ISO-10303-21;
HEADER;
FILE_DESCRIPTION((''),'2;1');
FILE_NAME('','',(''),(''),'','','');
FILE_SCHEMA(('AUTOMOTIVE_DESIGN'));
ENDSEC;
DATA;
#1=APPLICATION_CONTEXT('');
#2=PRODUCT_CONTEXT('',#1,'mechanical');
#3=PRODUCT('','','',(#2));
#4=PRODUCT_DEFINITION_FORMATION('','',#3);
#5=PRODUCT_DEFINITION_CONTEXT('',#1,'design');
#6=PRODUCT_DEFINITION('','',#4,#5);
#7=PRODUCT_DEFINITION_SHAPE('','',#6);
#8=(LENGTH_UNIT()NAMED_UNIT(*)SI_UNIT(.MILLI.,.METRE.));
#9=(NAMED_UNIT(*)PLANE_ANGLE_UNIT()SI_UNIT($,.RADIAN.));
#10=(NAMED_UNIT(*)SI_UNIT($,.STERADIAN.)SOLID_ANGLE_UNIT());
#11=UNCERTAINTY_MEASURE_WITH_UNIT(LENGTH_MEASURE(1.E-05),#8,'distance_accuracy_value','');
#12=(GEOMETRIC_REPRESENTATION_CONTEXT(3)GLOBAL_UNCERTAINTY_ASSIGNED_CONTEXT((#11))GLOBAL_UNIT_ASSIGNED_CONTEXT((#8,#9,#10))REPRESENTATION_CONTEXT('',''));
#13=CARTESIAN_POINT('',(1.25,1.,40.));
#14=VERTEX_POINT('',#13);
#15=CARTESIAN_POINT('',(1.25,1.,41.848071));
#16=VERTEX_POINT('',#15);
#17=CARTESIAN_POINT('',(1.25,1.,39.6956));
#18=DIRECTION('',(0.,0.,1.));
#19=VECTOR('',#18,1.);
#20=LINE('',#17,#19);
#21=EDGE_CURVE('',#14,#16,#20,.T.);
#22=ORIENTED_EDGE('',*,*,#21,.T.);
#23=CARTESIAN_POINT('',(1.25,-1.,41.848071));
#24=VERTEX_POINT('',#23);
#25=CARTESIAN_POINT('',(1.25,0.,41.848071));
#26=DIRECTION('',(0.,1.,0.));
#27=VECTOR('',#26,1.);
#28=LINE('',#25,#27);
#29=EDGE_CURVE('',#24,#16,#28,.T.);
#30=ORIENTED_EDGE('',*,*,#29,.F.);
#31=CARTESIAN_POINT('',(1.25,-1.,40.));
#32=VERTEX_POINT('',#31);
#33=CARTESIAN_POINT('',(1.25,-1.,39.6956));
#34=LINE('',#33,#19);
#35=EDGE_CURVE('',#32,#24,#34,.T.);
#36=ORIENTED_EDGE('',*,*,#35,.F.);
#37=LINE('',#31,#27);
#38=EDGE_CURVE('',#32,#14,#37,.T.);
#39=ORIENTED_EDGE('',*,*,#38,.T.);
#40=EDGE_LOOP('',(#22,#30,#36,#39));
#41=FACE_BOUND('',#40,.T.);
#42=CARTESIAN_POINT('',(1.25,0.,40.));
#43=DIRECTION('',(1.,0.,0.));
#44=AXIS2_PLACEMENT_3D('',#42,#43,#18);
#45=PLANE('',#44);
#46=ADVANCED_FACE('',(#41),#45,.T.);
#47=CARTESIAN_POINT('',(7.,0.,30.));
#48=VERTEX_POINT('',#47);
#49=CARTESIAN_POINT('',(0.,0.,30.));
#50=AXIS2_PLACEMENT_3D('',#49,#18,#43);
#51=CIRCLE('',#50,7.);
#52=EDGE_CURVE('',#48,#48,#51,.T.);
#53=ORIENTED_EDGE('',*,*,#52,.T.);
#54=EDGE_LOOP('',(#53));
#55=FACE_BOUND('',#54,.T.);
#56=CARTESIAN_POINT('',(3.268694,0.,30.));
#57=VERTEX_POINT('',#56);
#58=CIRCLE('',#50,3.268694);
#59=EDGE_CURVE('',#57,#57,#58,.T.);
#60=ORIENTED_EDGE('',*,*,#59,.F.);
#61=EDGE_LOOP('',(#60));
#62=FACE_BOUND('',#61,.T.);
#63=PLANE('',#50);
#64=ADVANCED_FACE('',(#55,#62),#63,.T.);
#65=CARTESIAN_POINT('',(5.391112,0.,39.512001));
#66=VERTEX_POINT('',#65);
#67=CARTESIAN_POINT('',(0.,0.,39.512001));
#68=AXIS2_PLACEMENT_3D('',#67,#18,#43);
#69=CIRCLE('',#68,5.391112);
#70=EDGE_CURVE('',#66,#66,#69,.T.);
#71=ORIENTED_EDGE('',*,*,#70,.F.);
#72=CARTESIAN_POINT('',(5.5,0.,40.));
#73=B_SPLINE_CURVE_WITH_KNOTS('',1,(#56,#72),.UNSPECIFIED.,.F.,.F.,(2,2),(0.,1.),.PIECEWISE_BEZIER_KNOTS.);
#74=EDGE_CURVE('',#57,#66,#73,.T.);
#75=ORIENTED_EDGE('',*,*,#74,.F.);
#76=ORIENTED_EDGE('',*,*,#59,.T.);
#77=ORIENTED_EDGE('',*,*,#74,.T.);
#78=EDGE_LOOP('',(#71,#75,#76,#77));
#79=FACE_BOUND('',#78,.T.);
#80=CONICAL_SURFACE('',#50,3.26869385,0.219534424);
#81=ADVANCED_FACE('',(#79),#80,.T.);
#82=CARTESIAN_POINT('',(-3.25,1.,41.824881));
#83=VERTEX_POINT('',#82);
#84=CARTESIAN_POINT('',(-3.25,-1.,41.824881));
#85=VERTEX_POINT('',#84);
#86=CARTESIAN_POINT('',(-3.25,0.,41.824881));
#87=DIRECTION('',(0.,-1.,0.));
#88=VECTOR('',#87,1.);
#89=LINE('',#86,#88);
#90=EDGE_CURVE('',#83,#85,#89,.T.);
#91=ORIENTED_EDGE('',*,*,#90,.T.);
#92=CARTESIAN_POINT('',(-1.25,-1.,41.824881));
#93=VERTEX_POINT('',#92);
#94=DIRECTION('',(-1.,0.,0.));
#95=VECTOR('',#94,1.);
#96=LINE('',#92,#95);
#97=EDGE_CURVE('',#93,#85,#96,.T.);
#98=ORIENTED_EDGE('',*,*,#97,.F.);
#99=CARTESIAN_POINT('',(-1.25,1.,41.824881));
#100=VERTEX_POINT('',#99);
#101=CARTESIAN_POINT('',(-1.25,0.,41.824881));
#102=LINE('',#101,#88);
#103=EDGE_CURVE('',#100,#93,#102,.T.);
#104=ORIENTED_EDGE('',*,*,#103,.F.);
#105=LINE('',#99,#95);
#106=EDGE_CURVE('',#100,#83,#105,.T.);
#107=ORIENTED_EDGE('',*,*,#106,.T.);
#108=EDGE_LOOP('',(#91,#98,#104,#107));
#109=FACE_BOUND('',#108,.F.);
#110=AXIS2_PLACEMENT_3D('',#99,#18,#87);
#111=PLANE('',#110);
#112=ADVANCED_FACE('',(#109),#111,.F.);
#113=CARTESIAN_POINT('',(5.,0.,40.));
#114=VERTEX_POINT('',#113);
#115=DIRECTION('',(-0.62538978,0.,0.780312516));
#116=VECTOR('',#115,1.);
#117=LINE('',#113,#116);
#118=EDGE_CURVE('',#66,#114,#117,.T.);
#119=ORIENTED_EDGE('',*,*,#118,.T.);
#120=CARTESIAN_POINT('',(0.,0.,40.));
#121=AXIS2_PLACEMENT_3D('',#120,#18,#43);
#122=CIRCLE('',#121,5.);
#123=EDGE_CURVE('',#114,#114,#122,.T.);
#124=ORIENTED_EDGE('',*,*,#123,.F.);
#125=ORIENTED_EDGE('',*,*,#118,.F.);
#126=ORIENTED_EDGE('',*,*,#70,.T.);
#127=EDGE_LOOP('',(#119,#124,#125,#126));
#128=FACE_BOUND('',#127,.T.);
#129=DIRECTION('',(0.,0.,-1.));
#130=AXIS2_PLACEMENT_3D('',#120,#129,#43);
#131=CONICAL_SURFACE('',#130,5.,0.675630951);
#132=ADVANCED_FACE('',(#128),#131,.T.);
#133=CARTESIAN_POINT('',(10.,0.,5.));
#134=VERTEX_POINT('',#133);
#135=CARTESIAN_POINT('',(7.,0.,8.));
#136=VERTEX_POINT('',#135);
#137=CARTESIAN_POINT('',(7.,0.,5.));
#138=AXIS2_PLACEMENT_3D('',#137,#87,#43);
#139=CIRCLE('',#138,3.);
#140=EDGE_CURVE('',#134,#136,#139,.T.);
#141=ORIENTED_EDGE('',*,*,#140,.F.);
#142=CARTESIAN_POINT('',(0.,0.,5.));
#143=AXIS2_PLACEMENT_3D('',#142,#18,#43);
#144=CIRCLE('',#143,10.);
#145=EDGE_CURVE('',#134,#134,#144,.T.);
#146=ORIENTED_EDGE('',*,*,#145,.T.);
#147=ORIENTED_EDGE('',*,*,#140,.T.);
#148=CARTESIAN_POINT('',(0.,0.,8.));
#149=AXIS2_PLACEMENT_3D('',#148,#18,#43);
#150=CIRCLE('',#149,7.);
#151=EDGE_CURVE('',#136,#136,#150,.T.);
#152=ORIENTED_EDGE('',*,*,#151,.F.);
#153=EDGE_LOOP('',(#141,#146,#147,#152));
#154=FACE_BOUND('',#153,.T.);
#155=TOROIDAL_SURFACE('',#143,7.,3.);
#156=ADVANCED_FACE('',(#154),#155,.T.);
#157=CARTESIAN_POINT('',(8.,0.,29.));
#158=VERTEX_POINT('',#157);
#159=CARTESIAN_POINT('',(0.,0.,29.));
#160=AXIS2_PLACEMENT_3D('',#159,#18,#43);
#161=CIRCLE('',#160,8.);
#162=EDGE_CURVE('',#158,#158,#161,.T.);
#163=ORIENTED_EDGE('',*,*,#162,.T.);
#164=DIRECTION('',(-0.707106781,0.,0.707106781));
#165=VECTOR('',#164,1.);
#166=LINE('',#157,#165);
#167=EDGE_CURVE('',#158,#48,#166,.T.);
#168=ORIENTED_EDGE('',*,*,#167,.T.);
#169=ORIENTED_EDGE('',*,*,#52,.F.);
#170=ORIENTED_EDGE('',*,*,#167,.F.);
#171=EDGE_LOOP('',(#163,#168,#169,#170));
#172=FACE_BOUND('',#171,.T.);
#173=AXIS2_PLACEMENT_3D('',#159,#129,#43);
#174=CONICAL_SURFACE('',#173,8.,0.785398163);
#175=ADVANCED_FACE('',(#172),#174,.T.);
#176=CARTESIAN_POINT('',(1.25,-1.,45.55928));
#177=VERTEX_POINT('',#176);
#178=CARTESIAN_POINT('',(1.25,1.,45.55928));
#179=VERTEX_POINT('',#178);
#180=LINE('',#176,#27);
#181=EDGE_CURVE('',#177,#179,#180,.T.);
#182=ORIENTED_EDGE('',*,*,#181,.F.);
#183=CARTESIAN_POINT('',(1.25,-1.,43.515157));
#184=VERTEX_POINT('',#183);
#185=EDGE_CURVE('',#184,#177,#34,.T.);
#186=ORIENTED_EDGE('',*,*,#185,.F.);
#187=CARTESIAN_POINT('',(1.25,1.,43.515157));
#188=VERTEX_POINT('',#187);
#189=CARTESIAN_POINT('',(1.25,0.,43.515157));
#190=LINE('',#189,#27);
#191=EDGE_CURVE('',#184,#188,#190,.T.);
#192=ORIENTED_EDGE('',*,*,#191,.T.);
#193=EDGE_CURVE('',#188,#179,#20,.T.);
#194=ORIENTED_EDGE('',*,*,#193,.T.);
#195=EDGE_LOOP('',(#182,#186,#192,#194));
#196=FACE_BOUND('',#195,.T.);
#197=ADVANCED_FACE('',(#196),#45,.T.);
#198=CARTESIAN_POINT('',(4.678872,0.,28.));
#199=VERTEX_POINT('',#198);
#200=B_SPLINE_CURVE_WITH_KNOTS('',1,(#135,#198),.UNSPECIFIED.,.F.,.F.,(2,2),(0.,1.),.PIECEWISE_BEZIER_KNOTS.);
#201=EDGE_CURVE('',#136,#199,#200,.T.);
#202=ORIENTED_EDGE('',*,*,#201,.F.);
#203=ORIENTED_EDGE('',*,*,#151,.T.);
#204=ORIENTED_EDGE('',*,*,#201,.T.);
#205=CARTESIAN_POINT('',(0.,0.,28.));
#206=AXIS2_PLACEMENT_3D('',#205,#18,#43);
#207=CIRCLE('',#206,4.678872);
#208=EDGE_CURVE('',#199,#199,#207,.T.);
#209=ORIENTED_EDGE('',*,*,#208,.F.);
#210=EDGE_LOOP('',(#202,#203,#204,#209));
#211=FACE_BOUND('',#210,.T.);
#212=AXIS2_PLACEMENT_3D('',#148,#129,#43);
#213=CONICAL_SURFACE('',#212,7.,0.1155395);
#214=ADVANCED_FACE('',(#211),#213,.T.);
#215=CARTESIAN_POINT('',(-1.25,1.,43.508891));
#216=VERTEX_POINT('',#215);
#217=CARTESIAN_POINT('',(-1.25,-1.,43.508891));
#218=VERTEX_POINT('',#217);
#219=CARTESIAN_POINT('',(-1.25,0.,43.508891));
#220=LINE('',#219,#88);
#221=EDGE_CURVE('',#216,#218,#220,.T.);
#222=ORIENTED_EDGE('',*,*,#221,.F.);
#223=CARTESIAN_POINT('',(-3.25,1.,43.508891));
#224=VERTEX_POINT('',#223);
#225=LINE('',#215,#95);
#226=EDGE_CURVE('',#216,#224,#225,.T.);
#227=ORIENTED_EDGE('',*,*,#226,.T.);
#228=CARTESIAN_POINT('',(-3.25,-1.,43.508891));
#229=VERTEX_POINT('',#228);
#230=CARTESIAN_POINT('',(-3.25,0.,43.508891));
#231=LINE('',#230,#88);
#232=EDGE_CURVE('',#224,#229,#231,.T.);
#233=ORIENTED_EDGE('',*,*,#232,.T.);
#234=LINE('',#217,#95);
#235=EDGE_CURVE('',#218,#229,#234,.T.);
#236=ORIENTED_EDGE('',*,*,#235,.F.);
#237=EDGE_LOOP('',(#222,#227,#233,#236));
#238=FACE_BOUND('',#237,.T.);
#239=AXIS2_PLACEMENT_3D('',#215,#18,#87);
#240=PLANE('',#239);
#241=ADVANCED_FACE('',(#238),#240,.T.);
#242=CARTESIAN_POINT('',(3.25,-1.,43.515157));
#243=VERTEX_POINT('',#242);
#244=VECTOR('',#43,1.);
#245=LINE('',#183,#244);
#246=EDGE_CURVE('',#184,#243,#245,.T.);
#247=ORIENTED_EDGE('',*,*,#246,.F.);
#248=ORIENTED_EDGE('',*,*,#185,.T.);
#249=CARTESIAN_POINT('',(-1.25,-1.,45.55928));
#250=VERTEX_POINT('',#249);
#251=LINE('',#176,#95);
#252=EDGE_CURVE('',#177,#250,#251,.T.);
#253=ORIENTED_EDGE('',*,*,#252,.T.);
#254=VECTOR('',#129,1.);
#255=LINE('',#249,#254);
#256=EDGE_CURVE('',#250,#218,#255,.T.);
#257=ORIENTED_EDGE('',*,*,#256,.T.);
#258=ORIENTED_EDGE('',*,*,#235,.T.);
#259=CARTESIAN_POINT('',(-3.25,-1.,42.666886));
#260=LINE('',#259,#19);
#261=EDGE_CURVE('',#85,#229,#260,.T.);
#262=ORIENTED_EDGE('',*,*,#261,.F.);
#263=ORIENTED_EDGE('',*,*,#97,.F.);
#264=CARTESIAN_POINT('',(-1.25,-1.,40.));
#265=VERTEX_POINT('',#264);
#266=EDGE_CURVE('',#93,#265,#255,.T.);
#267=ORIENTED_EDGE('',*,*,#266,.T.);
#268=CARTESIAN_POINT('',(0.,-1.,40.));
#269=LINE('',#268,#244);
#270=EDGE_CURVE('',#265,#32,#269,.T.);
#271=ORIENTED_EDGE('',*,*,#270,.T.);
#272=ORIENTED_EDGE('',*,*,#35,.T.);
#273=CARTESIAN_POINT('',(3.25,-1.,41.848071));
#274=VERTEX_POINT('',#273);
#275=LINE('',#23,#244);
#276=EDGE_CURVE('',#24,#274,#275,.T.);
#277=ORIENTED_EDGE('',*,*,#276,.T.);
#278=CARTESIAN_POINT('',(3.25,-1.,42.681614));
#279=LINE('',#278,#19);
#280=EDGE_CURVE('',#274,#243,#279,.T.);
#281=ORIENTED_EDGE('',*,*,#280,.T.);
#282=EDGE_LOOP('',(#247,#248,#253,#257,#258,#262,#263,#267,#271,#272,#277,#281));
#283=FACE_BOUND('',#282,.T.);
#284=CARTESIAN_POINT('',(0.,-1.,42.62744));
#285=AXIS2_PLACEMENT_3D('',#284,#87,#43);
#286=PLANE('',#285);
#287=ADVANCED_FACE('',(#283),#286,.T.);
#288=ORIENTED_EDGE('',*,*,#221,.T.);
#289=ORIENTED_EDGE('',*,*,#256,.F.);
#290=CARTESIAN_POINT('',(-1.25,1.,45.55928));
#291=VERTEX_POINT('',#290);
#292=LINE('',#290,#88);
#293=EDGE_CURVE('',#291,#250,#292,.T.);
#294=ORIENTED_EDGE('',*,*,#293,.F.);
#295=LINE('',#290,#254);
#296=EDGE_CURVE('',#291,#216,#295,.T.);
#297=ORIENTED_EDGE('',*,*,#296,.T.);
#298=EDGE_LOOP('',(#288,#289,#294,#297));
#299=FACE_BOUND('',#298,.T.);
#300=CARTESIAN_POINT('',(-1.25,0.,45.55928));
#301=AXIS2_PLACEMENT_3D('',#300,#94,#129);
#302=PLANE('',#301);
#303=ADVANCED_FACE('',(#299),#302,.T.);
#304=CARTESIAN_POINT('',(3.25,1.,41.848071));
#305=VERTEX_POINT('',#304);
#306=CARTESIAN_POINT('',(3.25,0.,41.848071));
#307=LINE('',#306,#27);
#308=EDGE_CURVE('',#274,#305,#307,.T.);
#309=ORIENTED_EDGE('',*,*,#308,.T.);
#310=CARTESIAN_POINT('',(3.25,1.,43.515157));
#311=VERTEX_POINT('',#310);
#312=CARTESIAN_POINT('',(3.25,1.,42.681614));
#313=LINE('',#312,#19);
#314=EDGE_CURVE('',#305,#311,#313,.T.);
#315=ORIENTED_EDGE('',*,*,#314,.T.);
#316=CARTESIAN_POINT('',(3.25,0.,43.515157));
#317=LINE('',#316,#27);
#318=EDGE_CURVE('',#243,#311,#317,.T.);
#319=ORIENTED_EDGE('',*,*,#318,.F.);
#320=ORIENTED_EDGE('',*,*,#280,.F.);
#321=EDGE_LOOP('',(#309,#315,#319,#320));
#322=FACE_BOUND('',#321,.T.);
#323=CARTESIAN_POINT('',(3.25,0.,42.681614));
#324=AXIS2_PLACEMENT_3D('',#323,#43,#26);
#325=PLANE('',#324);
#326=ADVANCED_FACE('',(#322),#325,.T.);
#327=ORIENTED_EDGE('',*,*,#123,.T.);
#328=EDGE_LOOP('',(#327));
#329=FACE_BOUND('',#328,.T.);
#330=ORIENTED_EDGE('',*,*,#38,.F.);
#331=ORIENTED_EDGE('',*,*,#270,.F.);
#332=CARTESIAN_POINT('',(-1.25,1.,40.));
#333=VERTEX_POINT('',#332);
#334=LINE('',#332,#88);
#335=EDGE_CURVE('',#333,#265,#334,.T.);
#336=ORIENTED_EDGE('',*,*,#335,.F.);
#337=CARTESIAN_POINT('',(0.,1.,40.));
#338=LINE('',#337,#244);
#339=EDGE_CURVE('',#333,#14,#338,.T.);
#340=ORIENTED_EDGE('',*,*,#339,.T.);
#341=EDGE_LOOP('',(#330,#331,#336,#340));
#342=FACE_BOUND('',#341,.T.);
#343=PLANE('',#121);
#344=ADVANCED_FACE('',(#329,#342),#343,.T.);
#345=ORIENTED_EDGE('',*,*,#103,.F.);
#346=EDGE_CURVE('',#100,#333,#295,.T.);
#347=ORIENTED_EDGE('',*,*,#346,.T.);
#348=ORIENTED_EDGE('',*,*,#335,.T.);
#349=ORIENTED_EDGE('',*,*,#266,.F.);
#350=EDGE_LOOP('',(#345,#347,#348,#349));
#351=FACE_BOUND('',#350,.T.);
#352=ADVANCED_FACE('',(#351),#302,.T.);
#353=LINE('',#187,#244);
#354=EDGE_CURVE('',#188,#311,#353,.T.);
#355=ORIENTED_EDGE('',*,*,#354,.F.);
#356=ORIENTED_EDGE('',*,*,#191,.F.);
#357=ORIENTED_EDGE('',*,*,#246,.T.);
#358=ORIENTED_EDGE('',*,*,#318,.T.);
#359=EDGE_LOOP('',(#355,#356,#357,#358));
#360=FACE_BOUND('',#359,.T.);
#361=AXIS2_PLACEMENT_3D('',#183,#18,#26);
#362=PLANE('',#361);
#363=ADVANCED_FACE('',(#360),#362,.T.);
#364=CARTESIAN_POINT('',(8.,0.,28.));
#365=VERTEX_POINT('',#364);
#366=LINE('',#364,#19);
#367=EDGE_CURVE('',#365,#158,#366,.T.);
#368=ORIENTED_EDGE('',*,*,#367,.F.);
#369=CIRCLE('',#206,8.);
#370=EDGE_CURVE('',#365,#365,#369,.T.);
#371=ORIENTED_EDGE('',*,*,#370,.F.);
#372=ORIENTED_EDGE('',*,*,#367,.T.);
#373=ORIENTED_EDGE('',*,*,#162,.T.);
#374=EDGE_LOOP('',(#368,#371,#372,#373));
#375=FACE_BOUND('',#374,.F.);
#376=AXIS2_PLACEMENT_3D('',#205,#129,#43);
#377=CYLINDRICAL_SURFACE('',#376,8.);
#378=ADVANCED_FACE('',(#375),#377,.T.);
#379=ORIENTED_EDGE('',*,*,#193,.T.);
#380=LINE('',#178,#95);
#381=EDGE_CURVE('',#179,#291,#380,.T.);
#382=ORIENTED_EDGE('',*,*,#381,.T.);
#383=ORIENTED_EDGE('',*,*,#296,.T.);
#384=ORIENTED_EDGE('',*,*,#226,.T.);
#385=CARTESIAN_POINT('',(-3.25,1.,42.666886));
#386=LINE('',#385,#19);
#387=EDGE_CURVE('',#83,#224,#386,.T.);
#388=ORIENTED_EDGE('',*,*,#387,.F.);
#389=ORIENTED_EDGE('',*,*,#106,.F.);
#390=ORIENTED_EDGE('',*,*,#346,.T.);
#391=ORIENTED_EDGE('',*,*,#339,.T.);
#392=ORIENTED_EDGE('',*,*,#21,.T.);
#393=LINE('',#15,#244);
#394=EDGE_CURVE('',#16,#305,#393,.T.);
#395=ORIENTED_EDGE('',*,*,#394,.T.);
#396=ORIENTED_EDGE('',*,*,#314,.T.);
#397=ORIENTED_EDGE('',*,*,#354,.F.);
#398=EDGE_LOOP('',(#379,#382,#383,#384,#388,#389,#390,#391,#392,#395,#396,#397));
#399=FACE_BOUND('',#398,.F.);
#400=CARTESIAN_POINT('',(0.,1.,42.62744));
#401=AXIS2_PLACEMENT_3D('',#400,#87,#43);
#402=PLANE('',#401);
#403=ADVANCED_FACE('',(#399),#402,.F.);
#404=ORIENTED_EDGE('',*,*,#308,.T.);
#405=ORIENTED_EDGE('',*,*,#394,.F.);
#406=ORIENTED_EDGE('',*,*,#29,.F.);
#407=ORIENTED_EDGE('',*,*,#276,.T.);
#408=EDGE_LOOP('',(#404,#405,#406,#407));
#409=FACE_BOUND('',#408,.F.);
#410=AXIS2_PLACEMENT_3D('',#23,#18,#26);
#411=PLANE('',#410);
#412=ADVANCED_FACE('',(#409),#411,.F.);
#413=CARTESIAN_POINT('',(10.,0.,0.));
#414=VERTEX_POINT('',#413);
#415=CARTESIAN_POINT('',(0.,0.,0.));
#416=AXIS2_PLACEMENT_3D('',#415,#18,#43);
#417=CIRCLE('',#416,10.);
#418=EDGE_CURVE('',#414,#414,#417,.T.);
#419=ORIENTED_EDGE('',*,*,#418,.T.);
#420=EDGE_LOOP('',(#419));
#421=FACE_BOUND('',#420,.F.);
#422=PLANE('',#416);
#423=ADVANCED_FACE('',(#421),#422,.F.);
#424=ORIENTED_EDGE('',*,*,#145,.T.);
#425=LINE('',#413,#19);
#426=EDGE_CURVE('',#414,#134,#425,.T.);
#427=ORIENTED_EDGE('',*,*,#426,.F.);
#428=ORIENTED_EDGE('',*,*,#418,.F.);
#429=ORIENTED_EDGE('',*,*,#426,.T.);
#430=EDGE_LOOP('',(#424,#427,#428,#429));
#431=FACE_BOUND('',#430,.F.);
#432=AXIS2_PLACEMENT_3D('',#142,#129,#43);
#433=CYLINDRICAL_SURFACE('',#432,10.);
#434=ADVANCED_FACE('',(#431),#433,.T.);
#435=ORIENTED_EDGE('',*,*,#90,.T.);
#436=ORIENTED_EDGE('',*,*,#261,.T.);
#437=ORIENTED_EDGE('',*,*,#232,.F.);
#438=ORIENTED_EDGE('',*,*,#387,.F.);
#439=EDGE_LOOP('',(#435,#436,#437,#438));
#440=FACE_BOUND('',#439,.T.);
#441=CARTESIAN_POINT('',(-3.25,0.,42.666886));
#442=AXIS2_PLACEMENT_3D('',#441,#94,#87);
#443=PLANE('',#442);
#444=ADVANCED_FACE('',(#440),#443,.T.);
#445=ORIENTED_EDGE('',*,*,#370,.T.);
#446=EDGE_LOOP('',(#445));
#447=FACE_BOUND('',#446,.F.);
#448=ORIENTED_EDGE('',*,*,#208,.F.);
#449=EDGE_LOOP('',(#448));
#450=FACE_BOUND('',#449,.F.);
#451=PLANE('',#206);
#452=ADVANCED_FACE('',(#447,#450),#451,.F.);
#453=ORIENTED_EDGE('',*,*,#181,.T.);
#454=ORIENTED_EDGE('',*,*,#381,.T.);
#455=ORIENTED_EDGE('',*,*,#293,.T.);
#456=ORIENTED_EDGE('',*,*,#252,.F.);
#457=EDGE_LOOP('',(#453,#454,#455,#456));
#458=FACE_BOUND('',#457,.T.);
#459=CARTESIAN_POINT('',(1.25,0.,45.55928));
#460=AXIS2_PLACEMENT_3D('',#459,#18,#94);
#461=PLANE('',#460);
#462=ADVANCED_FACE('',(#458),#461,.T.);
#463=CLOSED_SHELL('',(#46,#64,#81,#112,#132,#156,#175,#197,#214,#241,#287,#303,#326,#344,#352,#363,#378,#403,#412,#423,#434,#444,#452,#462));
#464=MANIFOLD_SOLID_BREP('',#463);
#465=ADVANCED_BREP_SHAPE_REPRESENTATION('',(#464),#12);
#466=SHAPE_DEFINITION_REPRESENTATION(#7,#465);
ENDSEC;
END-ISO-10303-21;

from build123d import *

# Parameters (mm, degrees)
F0_R      = 10
F1_DEPTH  = 5
F2_DEPTH  = 3
F3_R      = 3
F2_FACE_R = 7
F5_R      = 4.6788722556
F7_R      = 8
F7_R_2    = 4.6788722556
F8_DEPTH  = 2
F9_SIZE   = 1
F10_R     = 3.2686938503
F12_R     = 5.5
F14_SIZE  = 0.5
F16_DEPTH = 1
F17_DEPTH = 1
F19_W     = 2
F19_H     = 1.667086035
F20_DEPTH = 2
F18_W     = 2
F18_H     = 1.6840100288
F21_DEPTH = 2


with BuildPart() as f1:
    # F0 (on Top) → F1 (new body)
    with BuildSketch(Plane.XY):
        Circle(F0_R)
    extrude(amount=F1_DEPTH)

    # F2 (add): a face of the model
    f2_faces = [f1.faces().sort_by_distance(p)[0] for p in [
        (0, 0, 5),
    ]]
    extrude(f2_faces, amount=F2_DEPTH)

    # F3
    f3_edges = [f1.edges().sort_by_distance(p)[0] for p in [
        (-10, 0, 8),
    ]]
    fillet(f3_edges, radius=F3_R)

    # F2_face (on face) → F6 section 0
    with BuildSketch(Plane.XY.offset(8)):
        Circle(F2_FACE_R)
    # F5 (on offset) → F6 section 1
    with BuildSketch(Plane.XY.offset(28)):
        Circle(F5_R)
    loft()

    # F7 (on face) → F8 (join)
    with BuildSketch(Plane.XY.offset(28)):
        Circle(F7_R)
        Circle(F7_R_2, mode=Mode.SUBTRACT)
        Circle(F7_R_2)
    extrude(amount=F8_DEPTH)

    # F9
    f9_edges = [f1.edges().sort_by_distance(p)[0] for p in [
        (-8, 0, 30),
    ]]
    chamfer(f9_edges, length=F9_SIZE)

    # F10 (on face) → F13 section 0
    with BuildSketch(Plane.XY.offset(30)):
        Circle(F10_R)
    # F12 (on offset) → F13 section 1
    with BuildSketch(Plane.XY.offset(40)):
        Circle(F12_R)
    loft()

    # F14
    f14_edges = [f1.edges().sort_by_distance(p)[0] for p in [
        (-5.5, 0, 40),
    ]]
    chamfer(f14_edges, length=F14_SIZE)

    # F15 (on Front) → F16 (join)
    with BuildSketch(Plane.XZ):
        Polygon((-1.25, 45.55928049), (-1.25, 39.6955995162), (1.1311062619, 39.6955995162), (1.25, 39.6955995162), (1.25, 45.55928049), align=None)
    extrude(amount=F16_DEPTH)

    # F17 (add): a face of the model
    f17_faces = [f1.faces().sort_by_distance(p)[0] for p in [
        (0, 0, 42.779640245),
    ]]
    extrude(f17_faces, amount=F17_DEPTH)

    # F19 (on face) → F20 (join)
    with BuildSketch(Plane.YZ.offset(1.25)):
        with Locations((0, 42.681613937)):
            Rectangle(F19_W, F19_H)
    extrude(amount=F20_DEPTH)

    # F18 (on face) → F21 (join)
    with BuildSketch(Plane(origin=(-1.25, 0, 0), x_dir=(0, -1, 0), z_dir=(-1, 0, 0))):
        with Locations((0, 42.6668860018)):
            Rectangle(F18_W, F18_H)
    extrude(amount=F21_DEPTH)


solid = f1.part
